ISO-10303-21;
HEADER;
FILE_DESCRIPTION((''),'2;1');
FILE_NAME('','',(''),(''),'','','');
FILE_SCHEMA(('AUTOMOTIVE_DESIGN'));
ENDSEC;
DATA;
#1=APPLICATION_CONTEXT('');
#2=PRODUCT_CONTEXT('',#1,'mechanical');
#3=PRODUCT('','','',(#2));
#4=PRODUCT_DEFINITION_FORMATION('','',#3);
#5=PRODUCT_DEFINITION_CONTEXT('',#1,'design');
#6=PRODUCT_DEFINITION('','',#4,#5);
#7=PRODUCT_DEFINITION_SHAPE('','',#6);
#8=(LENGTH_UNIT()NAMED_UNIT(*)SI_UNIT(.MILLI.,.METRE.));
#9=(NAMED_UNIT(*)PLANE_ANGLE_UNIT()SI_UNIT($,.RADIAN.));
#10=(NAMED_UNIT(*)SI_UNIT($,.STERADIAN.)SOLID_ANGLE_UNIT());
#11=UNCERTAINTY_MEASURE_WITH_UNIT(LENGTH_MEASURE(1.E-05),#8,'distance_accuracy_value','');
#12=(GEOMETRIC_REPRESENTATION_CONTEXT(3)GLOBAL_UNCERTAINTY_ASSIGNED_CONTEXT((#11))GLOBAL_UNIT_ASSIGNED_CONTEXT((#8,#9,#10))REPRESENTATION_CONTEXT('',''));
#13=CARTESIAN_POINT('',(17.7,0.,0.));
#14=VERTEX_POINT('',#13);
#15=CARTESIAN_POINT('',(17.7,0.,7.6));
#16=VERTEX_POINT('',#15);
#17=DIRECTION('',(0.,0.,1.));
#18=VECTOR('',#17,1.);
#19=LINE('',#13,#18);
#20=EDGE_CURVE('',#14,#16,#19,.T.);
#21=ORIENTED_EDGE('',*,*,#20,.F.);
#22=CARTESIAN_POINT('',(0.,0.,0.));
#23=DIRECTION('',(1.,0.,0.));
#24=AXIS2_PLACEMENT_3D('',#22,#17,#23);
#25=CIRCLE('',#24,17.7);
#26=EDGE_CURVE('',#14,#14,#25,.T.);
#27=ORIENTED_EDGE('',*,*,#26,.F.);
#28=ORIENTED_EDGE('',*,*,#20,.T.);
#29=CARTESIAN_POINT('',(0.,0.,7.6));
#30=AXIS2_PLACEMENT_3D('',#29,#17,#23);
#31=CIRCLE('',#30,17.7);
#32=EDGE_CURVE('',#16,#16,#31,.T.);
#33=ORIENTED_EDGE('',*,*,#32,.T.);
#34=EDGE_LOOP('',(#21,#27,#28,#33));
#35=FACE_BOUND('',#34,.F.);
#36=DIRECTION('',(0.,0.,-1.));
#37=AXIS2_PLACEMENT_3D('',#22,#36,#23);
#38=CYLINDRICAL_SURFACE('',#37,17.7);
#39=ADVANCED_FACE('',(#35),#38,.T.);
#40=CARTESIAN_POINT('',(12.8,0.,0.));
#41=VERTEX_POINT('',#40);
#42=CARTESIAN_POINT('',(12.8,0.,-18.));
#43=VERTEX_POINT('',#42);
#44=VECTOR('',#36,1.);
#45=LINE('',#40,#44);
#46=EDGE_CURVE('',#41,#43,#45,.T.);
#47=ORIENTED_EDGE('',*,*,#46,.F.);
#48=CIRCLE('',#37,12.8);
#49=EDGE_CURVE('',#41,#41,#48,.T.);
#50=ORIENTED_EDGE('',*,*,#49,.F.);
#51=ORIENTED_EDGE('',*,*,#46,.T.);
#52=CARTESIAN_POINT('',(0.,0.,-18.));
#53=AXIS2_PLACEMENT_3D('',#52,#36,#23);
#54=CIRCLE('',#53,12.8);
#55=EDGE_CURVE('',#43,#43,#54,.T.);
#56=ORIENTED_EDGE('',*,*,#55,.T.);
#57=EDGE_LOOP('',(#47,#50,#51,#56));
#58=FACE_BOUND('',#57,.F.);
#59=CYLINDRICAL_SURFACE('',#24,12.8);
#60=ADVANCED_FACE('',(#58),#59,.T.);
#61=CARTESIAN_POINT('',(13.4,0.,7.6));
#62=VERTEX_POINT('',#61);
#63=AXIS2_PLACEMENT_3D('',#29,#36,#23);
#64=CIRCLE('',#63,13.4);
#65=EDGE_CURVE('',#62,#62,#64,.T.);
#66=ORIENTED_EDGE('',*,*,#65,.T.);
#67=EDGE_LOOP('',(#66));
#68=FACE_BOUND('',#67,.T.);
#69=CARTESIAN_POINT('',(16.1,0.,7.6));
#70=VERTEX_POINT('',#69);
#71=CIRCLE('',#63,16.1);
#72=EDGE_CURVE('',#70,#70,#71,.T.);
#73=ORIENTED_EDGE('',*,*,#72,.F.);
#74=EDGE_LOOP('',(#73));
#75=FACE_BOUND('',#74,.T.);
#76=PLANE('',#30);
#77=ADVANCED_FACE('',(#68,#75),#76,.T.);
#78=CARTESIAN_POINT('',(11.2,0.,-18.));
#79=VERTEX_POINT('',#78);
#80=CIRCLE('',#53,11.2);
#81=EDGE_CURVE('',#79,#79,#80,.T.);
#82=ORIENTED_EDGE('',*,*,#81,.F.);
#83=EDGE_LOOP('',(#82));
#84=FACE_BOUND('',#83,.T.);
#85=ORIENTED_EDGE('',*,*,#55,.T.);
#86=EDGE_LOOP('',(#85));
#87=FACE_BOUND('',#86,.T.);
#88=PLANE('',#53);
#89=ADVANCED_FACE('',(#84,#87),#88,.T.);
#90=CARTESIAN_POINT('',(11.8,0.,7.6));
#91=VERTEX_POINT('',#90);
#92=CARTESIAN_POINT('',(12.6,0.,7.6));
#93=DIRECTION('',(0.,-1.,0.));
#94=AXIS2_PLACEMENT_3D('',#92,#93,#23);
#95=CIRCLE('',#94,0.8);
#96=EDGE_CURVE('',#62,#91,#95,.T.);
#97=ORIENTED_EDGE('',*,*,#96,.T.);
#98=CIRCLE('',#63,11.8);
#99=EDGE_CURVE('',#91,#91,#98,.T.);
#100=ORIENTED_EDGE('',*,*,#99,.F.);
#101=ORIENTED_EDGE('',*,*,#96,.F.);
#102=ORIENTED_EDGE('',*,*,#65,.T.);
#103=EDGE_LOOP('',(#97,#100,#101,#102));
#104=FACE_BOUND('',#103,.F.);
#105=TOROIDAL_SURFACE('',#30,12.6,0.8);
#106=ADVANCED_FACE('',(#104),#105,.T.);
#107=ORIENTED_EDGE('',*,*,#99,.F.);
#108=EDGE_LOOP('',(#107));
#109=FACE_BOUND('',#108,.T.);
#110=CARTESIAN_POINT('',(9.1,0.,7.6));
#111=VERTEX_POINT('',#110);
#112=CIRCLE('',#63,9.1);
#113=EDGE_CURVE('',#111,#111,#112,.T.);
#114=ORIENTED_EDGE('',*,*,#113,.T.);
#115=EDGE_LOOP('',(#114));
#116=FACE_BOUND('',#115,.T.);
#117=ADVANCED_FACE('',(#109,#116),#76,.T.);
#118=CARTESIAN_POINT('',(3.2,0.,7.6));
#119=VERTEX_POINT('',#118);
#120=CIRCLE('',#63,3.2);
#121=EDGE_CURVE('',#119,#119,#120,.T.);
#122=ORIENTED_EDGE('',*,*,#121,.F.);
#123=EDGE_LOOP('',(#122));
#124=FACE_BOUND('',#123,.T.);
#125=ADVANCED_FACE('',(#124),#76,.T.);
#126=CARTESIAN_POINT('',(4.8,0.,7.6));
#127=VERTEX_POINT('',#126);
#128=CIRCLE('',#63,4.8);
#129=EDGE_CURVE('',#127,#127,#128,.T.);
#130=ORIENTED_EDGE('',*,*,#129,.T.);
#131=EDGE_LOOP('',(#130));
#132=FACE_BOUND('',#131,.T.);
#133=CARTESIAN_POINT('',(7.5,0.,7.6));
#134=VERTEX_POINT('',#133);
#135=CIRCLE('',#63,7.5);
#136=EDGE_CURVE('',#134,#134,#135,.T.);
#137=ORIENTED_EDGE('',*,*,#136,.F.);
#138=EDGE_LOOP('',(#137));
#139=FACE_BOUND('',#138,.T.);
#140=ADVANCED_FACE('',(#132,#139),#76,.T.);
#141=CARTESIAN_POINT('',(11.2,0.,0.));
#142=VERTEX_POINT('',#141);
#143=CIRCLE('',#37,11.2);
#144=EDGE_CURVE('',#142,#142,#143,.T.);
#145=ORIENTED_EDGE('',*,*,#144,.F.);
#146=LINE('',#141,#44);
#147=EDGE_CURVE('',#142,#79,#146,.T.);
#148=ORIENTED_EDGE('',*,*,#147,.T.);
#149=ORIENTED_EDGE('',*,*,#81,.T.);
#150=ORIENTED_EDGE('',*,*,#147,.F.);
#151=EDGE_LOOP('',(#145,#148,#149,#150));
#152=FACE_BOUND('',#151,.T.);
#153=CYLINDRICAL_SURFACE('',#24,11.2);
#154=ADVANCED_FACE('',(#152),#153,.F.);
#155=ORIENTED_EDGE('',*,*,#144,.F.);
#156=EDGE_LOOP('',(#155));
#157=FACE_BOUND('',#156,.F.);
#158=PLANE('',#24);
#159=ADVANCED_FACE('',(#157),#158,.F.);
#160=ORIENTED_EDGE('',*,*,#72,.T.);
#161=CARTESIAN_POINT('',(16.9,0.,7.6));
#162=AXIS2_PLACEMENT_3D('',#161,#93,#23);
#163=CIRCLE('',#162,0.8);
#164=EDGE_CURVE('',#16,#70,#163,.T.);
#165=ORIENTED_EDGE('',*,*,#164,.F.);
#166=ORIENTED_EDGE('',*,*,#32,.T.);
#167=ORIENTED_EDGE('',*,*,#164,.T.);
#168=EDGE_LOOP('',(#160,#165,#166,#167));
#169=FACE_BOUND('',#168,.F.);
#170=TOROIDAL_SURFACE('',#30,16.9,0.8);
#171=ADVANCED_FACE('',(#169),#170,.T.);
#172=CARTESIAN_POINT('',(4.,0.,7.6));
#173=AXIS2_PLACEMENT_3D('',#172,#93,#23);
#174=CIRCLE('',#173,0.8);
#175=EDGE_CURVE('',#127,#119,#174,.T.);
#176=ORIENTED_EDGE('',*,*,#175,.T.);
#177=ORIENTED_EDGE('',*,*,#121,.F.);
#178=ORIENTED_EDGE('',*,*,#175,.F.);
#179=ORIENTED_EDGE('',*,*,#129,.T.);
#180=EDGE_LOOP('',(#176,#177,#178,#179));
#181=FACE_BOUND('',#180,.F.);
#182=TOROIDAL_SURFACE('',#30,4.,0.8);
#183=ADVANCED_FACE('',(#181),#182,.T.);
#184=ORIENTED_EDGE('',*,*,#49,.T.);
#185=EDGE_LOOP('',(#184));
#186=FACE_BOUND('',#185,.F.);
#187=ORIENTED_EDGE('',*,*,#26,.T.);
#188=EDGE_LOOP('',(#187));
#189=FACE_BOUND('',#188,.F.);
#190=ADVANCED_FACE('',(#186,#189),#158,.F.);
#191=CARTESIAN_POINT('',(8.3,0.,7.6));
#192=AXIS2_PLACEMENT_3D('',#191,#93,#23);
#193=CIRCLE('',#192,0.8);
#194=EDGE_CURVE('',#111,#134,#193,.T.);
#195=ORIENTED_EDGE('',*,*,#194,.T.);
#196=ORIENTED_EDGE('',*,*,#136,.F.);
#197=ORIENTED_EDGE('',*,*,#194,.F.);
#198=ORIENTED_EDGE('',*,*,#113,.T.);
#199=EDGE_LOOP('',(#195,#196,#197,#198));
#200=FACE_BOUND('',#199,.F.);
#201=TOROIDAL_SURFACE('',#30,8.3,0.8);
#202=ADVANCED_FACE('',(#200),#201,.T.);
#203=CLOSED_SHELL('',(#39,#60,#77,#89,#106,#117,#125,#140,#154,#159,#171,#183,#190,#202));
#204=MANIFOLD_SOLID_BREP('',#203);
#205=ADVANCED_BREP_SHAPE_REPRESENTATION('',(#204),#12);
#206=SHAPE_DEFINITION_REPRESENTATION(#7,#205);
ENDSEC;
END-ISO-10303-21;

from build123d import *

# Parameters (mm, degrees)
F1_R     = 17.7
F2_DEPTH = 7.6
F5_R     = 12.8
F5_R_2   = 11.2
F6_DEPTH = 18


with BuildPart() as f2:
    # F1 (on Top) → F2 (new body)
    with BuildSketch(Plane.XY):
        Circle(F1_R)
    extrude(amount=F2_DEPTH)

    # F3 (on Front) → F4 (revolve)
    with BuildSketch(Plane.XZ):
        with BuildLine():
            Line((3.2, 7.6), (4.8, 7.6))
            ThreePointArc((4.8, 7.6), (4, 8.4), (3.2, 7.6))
        make_face()
        with BuildLine():
            ThreePointArc((9.1, 7.6), (8.3, 8.4), (7.5, 7.6))
            Line((7.5, 7.6), (9.1, 7.6))
        make_face()
        with BuildLine():
            ThreePointArc((13.4, 7.6), (12.6, 8.4), (11.8, 7.6))
            Line((11.8, 7.6), (13.4, 7.6))
        make_face()
        with BuildLine():
            ThreePointArc((17.7, 7.6), (16.9, 8.4), (16.1, 7.6))
            Line((16.1, 7.6), (17.7, 7.6))
        make_face()
    revolve(axis=Axis((0, 0, 0.0023786849), (0, 0, -1)))

    # F5 (on face) → F6 (join)
    with BuildSketch(Plane(origin=(0, 0, 0), x_dir=(1, 0, 0), z_dir=(0, 0, -1))):
        Circle(F5_R)
        Circle(F5_R_2, mode=Mode.SUBTRACT)
    extrude(amount=F6_DEPTH)


solid = f2.part
